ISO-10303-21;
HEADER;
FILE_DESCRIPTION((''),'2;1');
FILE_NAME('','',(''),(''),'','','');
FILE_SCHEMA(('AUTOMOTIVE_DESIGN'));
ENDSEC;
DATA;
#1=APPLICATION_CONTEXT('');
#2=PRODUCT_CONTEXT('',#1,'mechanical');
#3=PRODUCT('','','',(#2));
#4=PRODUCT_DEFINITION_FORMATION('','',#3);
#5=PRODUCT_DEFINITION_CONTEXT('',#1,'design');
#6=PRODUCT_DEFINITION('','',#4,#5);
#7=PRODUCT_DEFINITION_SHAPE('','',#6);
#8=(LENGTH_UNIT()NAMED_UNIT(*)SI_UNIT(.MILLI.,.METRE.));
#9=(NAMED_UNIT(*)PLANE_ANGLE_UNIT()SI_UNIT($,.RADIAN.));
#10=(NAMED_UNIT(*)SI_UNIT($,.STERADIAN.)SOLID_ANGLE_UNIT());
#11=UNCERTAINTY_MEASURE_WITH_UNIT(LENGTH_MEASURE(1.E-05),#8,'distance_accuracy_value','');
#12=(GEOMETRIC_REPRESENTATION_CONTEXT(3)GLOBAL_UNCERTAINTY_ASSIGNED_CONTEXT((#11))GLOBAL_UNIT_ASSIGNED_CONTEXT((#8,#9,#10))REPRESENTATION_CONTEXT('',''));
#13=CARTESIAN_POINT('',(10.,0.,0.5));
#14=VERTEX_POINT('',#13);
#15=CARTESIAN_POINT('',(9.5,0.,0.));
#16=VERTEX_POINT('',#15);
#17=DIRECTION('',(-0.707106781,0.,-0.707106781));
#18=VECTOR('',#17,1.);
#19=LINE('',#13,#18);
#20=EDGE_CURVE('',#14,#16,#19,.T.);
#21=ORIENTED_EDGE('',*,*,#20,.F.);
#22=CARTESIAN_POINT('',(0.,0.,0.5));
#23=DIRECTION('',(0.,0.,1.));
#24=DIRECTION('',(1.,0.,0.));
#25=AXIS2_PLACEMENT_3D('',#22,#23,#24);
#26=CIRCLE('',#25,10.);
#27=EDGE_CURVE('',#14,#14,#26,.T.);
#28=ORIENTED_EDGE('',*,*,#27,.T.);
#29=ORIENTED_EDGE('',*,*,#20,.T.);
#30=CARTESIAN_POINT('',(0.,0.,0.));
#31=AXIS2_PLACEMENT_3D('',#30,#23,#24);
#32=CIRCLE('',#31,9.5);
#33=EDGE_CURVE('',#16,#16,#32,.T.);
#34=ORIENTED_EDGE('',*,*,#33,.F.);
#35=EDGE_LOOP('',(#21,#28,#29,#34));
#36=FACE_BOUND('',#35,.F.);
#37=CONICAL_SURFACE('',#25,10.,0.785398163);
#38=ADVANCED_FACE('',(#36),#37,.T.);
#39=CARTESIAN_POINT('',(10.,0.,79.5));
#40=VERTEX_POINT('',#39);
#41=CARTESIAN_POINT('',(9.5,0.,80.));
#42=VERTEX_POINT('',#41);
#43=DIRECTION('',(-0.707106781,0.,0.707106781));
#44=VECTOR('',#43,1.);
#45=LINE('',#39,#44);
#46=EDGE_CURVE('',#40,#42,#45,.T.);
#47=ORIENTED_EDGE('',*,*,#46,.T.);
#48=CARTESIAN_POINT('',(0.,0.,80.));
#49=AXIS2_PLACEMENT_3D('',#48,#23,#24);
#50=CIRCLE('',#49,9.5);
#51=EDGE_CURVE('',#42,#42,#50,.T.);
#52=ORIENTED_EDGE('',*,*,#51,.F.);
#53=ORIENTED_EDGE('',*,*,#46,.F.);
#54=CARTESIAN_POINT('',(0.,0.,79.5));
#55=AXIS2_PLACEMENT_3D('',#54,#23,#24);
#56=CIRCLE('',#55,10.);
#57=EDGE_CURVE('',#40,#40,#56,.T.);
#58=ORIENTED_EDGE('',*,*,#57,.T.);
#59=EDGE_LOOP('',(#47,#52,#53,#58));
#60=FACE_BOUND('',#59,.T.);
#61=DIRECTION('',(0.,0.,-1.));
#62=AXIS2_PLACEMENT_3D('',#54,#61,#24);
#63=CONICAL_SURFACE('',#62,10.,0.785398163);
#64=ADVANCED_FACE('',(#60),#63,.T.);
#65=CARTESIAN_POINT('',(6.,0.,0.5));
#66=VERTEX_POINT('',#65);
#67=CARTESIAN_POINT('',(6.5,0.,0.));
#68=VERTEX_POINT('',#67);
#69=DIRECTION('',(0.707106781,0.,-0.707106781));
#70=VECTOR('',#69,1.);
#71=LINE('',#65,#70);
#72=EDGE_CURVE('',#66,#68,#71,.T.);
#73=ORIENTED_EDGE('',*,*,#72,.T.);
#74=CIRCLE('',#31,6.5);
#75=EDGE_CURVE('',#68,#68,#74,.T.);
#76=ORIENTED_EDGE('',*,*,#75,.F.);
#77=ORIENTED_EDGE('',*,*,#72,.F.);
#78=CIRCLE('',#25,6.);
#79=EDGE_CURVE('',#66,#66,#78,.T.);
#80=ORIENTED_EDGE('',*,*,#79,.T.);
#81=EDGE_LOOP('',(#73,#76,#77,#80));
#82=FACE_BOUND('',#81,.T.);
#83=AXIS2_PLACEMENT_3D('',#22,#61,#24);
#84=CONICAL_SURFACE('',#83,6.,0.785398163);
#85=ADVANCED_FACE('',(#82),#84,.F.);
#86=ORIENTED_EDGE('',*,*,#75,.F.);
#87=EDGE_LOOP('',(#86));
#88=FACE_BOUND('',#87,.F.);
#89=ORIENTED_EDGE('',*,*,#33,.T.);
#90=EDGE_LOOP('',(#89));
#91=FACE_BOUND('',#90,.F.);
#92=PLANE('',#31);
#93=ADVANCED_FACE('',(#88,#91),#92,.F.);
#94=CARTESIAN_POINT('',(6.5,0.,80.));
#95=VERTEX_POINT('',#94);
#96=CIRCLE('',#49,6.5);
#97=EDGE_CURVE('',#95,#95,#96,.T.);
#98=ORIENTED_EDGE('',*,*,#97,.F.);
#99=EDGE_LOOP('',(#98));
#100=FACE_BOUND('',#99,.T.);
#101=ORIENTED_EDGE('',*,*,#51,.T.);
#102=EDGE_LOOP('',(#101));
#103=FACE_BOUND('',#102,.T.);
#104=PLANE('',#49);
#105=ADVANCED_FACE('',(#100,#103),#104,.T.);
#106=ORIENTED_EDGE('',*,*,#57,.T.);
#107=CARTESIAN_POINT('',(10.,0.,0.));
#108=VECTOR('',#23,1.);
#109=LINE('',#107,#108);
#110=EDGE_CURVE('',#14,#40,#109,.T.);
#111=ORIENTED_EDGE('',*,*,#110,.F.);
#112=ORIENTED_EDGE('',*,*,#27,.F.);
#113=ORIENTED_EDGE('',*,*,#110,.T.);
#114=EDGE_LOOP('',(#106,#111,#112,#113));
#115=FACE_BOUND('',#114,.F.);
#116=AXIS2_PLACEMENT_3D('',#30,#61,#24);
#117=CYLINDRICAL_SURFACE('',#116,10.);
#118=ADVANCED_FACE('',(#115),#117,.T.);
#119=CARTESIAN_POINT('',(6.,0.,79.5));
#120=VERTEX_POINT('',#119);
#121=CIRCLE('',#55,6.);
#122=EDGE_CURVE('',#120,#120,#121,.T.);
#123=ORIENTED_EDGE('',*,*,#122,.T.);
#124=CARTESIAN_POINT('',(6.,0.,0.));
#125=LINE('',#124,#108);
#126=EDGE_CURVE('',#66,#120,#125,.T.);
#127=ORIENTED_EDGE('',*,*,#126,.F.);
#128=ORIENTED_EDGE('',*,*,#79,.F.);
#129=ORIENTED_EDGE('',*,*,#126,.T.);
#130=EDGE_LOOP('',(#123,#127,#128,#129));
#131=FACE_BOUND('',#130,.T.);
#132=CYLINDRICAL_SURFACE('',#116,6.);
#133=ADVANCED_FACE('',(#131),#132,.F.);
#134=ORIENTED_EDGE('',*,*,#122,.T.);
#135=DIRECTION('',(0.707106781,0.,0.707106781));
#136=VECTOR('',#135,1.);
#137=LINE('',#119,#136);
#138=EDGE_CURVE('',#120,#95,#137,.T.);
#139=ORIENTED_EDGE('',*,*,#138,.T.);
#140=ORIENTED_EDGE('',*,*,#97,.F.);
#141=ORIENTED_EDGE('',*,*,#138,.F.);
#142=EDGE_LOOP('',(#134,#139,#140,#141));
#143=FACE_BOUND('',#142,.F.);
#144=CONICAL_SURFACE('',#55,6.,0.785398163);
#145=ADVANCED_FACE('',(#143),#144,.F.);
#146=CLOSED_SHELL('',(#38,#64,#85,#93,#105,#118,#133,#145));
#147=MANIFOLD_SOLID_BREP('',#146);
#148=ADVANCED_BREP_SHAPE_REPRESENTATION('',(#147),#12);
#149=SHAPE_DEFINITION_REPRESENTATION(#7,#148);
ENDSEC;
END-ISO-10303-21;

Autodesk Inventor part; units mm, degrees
ref_plane "YZ Plane" through (0, 0, 0) normal (1, 0, 0) x (0, 1, 0)
ref_plane "XZ Plane" through (0, 0, 0) normal (0, 1, 0) x (-1, 0, 0)
ref_plane "XY Plane" through (0, 0, 0) normal (0, 0, 1) x (1, 0, 0)
sketch "草图1" plane through (0, 0, 0) normal (0, 0, 1) x (1, 0, 0)
  circle A0 centre (0, 0) radius 10
  circle A1 centre (0, 0) radius 6
extrude "拉伸1" add sketch "草图1" along normal blind 80
chamfer "倒角1" distance 0.5 angle 45 4 edges at (-6, 0, 80) (-6, 0, 0) (-10, 0, 80) (-10, 0, 0)
properties part number "my_attempt_v2"
